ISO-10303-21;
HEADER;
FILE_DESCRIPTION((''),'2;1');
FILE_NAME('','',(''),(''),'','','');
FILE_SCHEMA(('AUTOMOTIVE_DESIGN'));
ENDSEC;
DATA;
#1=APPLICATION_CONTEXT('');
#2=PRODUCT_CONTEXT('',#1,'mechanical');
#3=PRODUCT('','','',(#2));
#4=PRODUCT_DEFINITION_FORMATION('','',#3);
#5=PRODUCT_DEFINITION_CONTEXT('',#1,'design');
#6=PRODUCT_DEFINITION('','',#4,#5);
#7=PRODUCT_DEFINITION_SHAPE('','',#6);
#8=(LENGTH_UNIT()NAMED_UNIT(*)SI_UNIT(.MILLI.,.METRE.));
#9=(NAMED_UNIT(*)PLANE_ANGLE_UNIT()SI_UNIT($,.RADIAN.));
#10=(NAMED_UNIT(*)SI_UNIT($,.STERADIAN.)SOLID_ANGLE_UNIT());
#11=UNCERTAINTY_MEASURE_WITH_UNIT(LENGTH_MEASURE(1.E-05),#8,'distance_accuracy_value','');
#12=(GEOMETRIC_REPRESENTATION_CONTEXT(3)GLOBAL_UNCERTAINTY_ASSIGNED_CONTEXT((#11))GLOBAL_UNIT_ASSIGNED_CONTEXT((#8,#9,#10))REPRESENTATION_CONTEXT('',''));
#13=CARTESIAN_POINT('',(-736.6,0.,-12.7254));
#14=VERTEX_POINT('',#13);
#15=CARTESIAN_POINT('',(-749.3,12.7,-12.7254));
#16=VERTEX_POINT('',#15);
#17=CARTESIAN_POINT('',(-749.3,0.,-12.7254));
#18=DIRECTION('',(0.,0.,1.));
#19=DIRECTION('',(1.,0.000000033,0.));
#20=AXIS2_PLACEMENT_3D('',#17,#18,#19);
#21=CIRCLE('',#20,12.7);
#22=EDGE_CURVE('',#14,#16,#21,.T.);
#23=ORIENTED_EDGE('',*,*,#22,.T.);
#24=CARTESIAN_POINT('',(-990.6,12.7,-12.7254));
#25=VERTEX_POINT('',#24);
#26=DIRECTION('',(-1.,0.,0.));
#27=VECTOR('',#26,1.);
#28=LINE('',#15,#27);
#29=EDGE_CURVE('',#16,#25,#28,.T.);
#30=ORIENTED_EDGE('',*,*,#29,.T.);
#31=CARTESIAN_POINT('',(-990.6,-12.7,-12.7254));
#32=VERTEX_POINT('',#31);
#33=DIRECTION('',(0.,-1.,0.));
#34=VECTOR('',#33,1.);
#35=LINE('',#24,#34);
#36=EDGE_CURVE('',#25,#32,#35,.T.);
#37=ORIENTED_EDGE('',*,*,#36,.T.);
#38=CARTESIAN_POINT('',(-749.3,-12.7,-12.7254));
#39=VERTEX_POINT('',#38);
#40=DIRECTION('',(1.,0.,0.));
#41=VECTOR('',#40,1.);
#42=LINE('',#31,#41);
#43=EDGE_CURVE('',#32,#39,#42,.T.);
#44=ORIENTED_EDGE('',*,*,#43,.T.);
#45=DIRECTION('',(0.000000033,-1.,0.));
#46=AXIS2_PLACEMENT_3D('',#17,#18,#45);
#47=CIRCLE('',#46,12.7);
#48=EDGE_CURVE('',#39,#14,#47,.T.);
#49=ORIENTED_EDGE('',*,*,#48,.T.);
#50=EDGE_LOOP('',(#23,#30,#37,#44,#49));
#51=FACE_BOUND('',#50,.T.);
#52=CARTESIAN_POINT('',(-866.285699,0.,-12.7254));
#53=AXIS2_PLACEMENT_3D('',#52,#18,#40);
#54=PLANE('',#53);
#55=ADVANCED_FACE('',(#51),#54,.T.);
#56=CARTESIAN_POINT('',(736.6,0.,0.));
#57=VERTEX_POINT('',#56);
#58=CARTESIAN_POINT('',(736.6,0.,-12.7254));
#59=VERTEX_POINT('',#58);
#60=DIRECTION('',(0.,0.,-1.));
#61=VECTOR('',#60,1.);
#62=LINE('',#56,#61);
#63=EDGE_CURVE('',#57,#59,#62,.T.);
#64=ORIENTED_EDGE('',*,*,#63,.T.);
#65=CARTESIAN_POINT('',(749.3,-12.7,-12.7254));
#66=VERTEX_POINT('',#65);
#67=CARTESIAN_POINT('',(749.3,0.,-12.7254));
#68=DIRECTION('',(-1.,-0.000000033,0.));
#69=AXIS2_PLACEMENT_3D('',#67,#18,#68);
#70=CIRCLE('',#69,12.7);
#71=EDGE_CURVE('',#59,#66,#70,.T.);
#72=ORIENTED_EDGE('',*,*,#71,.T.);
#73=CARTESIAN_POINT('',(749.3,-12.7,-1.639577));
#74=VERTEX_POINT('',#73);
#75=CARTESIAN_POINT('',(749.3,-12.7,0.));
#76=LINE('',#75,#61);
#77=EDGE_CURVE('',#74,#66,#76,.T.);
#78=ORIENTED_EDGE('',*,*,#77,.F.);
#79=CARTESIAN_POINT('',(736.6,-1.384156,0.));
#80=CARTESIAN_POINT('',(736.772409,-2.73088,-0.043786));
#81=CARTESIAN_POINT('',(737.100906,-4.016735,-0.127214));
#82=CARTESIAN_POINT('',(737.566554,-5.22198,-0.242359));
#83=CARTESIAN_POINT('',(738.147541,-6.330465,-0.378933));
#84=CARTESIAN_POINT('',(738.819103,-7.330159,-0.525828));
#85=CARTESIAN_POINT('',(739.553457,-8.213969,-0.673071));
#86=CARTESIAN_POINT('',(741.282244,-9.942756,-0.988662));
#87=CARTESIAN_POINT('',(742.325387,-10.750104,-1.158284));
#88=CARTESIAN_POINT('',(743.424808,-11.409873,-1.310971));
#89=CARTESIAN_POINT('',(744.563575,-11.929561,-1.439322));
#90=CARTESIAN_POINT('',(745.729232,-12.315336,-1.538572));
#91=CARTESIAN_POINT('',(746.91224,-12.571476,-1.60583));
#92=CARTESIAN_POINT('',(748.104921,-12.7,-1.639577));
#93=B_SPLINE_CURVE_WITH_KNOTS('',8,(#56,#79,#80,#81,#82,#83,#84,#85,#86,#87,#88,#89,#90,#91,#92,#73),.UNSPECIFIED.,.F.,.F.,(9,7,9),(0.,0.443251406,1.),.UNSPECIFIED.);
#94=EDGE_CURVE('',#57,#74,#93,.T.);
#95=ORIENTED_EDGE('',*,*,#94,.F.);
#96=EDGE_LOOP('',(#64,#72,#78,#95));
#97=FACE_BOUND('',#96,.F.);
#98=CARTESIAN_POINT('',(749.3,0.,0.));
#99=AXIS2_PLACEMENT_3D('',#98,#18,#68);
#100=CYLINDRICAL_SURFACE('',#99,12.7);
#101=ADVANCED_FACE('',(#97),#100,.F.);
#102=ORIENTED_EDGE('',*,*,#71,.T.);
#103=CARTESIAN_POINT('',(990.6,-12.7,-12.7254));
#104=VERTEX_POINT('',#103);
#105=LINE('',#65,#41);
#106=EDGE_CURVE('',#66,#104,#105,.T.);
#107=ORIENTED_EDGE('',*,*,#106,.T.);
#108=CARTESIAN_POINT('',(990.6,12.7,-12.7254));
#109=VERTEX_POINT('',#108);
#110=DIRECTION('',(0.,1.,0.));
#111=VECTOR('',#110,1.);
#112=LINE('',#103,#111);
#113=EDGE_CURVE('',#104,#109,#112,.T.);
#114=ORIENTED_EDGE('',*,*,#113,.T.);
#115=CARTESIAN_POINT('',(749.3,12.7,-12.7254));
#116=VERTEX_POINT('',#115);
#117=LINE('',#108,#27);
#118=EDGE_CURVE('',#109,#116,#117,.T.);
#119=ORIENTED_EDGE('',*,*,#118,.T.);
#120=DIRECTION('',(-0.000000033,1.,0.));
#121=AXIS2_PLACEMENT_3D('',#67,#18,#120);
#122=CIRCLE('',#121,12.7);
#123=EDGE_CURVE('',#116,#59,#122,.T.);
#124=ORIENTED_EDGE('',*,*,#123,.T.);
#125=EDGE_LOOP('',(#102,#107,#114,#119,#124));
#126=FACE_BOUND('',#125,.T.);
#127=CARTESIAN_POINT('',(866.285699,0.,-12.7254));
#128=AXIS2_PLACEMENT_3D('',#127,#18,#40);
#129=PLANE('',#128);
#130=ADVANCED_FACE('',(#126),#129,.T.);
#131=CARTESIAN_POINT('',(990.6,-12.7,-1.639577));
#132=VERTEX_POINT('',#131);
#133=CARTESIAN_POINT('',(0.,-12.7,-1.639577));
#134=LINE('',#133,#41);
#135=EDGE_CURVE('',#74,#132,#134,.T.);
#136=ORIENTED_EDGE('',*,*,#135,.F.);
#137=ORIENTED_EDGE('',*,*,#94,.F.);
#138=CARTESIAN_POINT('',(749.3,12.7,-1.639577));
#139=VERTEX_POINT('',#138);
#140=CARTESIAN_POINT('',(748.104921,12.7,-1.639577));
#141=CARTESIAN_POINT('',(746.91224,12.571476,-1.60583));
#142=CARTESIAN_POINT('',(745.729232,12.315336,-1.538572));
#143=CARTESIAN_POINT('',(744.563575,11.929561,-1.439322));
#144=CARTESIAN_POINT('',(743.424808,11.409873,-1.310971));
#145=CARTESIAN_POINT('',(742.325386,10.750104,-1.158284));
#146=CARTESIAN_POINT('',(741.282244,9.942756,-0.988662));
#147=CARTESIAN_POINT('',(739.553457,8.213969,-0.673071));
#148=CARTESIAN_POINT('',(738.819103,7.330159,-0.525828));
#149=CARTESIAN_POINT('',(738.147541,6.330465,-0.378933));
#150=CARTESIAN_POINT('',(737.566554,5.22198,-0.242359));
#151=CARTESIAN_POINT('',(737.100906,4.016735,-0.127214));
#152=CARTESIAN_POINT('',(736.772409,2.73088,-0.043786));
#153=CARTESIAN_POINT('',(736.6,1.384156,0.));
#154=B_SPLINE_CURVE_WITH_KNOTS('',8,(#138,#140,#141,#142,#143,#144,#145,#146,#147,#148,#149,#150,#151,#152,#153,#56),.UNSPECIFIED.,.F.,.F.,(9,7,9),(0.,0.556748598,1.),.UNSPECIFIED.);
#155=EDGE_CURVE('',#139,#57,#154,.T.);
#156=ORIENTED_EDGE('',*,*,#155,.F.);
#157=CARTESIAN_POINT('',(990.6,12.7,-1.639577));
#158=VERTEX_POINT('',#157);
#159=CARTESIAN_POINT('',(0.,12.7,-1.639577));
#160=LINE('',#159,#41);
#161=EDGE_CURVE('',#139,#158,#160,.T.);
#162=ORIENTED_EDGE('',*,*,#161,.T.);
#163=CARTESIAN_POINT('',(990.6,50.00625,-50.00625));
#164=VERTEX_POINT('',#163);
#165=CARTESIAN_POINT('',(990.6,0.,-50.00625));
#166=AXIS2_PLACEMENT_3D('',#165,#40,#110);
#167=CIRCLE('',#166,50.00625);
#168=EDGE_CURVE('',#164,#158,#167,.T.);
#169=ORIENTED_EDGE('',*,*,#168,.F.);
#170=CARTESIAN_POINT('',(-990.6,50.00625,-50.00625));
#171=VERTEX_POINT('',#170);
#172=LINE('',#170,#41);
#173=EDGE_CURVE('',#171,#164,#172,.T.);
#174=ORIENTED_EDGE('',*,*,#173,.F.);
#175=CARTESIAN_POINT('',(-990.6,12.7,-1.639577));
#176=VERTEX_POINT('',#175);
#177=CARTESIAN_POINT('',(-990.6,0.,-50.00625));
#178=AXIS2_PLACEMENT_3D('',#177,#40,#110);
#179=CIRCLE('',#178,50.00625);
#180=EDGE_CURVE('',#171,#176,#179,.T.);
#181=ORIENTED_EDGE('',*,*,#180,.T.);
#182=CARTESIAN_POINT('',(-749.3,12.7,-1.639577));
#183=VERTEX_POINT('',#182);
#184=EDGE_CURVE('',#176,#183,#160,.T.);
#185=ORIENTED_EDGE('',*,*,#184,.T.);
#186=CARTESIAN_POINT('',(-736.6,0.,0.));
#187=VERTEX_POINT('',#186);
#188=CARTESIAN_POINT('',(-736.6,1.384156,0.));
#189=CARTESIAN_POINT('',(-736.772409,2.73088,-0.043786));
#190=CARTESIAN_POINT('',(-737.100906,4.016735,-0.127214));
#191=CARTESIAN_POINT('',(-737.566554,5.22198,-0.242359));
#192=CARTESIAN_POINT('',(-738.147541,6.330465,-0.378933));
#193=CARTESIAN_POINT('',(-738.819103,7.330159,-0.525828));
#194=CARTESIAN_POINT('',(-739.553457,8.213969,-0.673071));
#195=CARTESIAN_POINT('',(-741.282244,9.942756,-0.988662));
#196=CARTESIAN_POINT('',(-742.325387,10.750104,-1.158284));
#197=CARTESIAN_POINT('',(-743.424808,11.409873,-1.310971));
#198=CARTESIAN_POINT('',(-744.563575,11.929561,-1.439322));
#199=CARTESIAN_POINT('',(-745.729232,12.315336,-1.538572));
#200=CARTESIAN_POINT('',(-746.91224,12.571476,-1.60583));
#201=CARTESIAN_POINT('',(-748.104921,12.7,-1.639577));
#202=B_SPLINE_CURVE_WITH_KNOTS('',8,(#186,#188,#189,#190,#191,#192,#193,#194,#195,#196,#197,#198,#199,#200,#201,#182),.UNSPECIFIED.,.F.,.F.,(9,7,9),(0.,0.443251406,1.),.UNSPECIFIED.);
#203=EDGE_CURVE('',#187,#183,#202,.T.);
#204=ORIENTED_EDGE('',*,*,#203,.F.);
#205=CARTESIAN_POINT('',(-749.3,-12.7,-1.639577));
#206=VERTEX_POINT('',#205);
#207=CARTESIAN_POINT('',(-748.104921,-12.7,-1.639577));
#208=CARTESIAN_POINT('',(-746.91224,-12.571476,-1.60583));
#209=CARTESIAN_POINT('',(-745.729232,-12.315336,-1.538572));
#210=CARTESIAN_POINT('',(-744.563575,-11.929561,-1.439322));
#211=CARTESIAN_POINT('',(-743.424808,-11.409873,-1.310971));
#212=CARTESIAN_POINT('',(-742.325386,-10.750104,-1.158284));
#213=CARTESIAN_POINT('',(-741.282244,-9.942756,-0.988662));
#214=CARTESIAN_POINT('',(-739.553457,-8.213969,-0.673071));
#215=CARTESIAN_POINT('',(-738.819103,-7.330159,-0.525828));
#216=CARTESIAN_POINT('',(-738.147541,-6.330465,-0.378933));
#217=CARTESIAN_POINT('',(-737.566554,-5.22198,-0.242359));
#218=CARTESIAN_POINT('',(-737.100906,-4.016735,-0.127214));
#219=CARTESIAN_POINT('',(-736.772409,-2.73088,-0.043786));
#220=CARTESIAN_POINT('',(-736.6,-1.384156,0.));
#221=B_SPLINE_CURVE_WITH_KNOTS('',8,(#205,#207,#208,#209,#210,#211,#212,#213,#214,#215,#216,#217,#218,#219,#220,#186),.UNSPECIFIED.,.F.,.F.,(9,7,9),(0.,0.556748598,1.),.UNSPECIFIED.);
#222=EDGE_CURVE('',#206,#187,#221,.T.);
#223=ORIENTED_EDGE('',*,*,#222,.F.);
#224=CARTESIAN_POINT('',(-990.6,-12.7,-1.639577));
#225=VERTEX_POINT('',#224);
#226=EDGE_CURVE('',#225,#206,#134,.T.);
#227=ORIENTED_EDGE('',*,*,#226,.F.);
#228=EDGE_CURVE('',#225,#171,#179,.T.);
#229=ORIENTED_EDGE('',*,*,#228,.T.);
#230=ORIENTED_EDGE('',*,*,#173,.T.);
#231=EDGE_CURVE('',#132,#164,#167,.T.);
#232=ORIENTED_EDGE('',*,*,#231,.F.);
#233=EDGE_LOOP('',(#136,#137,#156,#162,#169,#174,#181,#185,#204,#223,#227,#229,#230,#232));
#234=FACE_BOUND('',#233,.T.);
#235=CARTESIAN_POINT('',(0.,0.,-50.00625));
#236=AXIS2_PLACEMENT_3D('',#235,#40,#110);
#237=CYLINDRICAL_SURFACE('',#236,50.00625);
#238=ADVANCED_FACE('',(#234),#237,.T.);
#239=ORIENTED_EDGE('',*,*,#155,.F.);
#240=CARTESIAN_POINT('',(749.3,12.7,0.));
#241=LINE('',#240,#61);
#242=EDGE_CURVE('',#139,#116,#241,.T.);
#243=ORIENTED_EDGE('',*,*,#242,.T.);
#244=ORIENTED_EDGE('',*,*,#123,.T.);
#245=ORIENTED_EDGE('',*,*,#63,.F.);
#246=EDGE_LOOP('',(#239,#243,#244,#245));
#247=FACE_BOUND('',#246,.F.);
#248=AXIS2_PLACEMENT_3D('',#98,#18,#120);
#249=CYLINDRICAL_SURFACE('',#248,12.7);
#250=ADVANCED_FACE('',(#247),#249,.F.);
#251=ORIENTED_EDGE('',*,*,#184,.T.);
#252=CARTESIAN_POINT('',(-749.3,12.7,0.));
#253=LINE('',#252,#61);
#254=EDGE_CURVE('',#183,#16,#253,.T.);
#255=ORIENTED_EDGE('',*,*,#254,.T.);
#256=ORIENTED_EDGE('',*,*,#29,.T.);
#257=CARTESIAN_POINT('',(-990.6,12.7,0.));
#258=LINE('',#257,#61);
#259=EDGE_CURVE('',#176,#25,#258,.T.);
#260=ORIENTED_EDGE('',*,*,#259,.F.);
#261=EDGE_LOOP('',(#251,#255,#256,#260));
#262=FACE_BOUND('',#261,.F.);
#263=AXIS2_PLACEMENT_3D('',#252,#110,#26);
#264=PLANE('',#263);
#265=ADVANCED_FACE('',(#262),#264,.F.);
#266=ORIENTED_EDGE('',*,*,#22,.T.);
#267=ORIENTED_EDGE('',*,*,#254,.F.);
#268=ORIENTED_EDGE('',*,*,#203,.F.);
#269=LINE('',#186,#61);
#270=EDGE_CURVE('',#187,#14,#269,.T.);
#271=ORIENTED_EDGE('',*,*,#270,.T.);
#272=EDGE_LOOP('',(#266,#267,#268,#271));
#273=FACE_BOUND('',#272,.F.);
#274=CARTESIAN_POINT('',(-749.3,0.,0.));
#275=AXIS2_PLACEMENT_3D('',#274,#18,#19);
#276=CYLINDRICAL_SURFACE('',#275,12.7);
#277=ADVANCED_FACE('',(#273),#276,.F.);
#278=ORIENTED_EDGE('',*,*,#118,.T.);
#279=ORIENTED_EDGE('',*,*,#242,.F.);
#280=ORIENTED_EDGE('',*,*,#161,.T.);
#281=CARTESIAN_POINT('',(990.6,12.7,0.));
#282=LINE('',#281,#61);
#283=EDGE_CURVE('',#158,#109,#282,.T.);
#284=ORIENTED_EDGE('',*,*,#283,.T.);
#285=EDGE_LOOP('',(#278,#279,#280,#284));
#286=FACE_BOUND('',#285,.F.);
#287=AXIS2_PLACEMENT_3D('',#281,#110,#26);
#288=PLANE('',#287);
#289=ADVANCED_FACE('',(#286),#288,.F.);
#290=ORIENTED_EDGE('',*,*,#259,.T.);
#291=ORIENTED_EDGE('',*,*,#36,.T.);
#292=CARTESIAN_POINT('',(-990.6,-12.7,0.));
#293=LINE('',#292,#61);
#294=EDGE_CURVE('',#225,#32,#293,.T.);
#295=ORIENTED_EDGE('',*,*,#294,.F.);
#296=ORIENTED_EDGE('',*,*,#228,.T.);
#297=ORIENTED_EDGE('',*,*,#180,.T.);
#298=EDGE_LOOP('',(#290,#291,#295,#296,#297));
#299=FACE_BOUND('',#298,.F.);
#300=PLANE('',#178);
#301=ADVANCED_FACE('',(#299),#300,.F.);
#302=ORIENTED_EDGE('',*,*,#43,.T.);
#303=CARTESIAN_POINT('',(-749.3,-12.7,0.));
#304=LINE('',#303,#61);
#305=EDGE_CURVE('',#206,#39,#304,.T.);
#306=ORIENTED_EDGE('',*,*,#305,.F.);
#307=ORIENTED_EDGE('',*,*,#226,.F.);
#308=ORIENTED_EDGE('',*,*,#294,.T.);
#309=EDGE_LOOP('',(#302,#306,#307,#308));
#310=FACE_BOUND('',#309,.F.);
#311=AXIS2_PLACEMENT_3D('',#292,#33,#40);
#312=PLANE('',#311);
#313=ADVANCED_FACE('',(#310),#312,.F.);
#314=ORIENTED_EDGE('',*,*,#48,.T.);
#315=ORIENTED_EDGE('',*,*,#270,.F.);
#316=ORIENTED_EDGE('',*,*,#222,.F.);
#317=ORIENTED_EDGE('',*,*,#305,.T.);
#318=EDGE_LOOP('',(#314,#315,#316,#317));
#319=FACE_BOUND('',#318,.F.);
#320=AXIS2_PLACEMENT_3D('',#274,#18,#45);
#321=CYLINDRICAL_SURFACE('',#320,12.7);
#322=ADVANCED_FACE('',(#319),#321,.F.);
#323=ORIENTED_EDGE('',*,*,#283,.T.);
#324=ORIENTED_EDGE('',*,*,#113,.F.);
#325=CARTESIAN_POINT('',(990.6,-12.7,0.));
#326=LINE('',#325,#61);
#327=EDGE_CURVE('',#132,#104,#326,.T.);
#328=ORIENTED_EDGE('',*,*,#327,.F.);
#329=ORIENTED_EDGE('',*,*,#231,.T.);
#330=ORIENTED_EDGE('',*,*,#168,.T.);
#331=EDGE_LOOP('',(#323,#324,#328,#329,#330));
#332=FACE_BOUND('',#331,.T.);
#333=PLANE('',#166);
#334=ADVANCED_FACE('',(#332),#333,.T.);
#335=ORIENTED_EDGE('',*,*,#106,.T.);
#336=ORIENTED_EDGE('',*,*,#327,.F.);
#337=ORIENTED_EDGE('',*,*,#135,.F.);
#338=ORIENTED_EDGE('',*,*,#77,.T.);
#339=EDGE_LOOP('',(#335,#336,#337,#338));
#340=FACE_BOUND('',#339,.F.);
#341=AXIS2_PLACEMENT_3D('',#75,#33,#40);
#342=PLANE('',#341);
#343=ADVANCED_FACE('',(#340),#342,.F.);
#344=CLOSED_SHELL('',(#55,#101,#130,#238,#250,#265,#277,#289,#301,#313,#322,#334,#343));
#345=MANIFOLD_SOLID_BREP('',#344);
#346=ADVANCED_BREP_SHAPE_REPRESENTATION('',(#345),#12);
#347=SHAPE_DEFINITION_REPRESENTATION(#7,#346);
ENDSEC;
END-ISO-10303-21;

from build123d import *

# Parameters (mm, degrees)
F0_R     = 50.00625
F1_DEPTH = 990.6
F3_DEPTH = 12.7254


with BuildPart() as f1:
    # F0 (on Right) → F1 (new body, symmetric)
    with BuildSketch(Plane.YZ):
        with Locations((0, -50.00625)):
            Circle(F0_R)
    extrude(amount=F1_DEPTH, both=True)

    # F2 (on Top) → F3 (cut)
    with BuildSketch(Plane.XY):
        with BuildLine():
            Line((-749.3, 12.7), (-990.6, 12.7))
            Line((-990.6, 12.7), (-990.6, -12.7))
            Line((-990.6, -12.7), (-749.3, -12.7))
            ThreePointArc((-749.3, -12.7), (-740.319744, -8.980256), (-736.6, 0))
            ThreePointArc((-736.6, 0), (-740.319744, 8.980256), (-749.3, 12.7))
        make_face()
        with BuildLine():
            Line((990.6, -12.7), (990.6, 12.7))
            Line((990.6, 12.7), (749.3, 12.7))
            ThreePointArc((749.3, 12.7), (740.319744, 8.980256), (736.6, 0))
            ThreePointArc((736.6, 0), (740.319744, -8.980256), (749.3, -12.7))
            Line((749.3, -12.7), (990.6, -12.7))
        make_face()
    extrude(amount=-F3_DEPTH, mode=Mode.SUBTRACT)


solid = f1.part
